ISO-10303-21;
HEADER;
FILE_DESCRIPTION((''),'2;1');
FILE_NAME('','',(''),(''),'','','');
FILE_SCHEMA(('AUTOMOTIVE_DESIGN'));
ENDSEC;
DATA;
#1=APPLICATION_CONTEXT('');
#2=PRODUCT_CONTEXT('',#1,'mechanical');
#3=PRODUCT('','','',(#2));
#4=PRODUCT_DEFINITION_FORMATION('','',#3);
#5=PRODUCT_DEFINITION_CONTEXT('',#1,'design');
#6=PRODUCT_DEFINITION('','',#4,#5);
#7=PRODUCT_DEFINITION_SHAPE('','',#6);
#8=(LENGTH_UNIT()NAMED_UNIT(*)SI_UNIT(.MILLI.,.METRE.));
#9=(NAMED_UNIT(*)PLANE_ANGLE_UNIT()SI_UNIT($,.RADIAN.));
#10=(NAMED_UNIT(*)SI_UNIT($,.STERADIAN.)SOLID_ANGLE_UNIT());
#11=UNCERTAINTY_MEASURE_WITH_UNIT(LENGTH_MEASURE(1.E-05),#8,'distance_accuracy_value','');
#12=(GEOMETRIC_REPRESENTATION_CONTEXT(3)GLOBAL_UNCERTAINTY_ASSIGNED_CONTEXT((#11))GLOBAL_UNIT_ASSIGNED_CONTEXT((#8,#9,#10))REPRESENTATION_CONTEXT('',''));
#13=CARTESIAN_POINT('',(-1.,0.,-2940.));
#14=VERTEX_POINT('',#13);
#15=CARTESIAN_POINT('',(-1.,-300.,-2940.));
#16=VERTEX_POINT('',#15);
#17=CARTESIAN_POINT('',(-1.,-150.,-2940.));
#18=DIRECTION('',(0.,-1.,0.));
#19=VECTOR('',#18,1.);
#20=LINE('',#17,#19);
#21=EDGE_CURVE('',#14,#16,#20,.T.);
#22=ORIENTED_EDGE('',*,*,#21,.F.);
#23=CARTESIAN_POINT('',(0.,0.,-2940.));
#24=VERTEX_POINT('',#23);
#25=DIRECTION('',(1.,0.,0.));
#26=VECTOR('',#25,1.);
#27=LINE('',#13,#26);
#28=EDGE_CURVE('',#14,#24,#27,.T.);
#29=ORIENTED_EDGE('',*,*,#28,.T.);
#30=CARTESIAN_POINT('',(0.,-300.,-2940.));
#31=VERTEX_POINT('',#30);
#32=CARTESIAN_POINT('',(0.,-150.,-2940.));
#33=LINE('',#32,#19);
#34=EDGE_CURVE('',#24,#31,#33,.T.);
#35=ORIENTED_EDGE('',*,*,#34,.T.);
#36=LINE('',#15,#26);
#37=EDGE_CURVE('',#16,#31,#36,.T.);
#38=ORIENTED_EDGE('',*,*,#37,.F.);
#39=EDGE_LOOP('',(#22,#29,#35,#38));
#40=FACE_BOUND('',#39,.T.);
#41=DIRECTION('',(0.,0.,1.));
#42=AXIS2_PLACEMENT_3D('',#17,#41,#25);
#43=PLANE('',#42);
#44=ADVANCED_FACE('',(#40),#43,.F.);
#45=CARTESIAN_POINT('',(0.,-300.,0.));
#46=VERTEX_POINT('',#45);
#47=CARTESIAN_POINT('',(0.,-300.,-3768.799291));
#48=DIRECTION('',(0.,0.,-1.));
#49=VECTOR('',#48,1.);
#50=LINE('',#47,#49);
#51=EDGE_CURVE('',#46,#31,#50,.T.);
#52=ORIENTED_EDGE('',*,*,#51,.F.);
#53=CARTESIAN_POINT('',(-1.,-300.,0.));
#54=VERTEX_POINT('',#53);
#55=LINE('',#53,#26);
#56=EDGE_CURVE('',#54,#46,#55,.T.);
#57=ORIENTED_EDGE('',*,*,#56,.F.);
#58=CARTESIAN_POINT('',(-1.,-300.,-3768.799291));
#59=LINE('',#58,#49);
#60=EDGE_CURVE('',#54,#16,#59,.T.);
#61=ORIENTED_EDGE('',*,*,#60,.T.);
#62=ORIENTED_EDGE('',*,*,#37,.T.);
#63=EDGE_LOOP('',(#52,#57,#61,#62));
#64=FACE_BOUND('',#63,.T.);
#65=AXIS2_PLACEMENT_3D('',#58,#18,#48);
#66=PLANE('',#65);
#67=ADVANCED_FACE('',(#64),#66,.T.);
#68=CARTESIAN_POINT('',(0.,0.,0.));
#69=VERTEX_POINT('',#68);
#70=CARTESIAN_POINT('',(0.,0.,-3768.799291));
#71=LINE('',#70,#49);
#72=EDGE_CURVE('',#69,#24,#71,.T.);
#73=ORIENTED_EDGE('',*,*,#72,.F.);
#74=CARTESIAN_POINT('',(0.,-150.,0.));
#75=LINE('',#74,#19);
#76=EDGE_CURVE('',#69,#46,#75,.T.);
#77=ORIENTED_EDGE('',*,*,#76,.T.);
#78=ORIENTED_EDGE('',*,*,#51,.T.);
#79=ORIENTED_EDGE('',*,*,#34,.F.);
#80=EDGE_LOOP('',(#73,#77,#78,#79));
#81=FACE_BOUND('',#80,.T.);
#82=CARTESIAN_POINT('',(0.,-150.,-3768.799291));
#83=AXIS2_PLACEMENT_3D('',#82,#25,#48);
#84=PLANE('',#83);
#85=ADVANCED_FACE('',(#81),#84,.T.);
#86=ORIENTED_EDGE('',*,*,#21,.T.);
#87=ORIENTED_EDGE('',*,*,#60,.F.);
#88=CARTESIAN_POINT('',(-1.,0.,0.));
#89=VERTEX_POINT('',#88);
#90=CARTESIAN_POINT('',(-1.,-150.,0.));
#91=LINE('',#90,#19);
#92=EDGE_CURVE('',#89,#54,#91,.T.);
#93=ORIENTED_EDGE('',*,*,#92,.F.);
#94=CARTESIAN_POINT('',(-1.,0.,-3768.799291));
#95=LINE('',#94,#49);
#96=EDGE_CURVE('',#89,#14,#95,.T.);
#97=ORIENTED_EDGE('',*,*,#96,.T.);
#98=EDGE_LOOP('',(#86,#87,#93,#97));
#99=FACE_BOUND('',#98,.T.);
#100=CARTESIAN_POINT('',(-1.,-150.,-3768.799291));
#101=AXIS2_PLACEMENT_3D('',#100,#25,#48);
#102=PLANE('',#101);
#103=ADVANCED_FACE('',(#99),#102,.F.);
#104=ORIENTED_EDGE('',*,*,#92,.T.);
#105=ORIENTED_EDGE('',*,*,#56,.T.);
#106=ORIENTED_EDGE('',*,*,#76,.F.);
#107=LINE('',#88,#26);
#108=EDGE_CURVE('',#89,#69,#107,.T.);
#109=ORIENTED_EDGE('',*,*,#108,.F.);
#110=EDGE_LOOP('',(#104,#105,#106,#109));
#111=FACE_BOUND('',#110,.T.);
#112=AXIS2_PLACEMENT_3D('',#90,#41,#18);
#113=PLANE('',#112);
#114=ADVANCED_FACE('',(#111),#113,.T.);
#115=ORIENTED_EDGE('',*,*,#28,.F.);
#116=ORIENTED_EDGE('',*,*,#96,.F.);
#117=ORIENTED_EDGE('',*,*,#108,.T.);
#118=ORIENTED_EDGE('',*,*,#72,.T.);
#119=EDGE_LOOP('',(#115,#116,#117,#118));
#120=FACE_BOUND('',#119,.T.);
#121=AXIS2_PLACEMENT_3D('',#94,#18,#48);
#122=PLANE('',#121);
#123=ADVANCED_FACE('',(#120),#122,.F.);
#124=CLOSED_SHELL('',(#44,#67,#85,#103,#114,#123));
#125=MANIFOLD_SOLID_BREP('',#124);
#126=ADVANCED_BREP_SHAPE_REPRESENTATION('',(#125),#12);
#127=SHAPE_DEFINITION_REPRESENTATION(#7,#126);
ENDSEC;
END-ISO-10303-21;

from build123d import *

# Parameters (mm, degrees)
SKETCH1_W           = 550
SKETCH1_H           = 300
SKETCH1_W_2         = 720
SKETCH1_W_3         = 100
BOSS_EXTRUDE1_DEPTH = 1


with BuildPart() as part:
    # Sketch1 → Boss-Extrude1 (new body)
    with BuildSketch(Plane(origin=(0, 0, 0), x_dir=(0, 0, -1), z_dir=(1, 0, 0))):
        with Locations((275, -150)):
            Rectangle(SKETCH1_W, SKETCH1_H)
        with Locations((1010, -150)):
            Rectangle(SKETCH1_W_2, SKETCH1_H)
        with Locations((600, -150)):
            Rectangle(SKETCH1_W_3, SKETCH1_H)
        with Locations((1420, -150)):
            Rectangle(SKETCH1_W_3, SKETCH1_H)
        with Locations((1745, -150)):
            Rectangle(SKETCH1_W, SKETCH1_H)
        with Locations((2070, -150)):
            Rectangle(SKETCH1_W_3, SKETCH1_H)
        with Locations((2480, -150)):
            Rectangle(SKETCH1_W_2, SKETCH1_H)
        with Locations((2890, -150)):
            Rectangle(SKETCH1_W_3, SKETCH1_H)
    extrude(amount=-BOSS_EXTRUDE1_DEPTH)


solid = part.part
